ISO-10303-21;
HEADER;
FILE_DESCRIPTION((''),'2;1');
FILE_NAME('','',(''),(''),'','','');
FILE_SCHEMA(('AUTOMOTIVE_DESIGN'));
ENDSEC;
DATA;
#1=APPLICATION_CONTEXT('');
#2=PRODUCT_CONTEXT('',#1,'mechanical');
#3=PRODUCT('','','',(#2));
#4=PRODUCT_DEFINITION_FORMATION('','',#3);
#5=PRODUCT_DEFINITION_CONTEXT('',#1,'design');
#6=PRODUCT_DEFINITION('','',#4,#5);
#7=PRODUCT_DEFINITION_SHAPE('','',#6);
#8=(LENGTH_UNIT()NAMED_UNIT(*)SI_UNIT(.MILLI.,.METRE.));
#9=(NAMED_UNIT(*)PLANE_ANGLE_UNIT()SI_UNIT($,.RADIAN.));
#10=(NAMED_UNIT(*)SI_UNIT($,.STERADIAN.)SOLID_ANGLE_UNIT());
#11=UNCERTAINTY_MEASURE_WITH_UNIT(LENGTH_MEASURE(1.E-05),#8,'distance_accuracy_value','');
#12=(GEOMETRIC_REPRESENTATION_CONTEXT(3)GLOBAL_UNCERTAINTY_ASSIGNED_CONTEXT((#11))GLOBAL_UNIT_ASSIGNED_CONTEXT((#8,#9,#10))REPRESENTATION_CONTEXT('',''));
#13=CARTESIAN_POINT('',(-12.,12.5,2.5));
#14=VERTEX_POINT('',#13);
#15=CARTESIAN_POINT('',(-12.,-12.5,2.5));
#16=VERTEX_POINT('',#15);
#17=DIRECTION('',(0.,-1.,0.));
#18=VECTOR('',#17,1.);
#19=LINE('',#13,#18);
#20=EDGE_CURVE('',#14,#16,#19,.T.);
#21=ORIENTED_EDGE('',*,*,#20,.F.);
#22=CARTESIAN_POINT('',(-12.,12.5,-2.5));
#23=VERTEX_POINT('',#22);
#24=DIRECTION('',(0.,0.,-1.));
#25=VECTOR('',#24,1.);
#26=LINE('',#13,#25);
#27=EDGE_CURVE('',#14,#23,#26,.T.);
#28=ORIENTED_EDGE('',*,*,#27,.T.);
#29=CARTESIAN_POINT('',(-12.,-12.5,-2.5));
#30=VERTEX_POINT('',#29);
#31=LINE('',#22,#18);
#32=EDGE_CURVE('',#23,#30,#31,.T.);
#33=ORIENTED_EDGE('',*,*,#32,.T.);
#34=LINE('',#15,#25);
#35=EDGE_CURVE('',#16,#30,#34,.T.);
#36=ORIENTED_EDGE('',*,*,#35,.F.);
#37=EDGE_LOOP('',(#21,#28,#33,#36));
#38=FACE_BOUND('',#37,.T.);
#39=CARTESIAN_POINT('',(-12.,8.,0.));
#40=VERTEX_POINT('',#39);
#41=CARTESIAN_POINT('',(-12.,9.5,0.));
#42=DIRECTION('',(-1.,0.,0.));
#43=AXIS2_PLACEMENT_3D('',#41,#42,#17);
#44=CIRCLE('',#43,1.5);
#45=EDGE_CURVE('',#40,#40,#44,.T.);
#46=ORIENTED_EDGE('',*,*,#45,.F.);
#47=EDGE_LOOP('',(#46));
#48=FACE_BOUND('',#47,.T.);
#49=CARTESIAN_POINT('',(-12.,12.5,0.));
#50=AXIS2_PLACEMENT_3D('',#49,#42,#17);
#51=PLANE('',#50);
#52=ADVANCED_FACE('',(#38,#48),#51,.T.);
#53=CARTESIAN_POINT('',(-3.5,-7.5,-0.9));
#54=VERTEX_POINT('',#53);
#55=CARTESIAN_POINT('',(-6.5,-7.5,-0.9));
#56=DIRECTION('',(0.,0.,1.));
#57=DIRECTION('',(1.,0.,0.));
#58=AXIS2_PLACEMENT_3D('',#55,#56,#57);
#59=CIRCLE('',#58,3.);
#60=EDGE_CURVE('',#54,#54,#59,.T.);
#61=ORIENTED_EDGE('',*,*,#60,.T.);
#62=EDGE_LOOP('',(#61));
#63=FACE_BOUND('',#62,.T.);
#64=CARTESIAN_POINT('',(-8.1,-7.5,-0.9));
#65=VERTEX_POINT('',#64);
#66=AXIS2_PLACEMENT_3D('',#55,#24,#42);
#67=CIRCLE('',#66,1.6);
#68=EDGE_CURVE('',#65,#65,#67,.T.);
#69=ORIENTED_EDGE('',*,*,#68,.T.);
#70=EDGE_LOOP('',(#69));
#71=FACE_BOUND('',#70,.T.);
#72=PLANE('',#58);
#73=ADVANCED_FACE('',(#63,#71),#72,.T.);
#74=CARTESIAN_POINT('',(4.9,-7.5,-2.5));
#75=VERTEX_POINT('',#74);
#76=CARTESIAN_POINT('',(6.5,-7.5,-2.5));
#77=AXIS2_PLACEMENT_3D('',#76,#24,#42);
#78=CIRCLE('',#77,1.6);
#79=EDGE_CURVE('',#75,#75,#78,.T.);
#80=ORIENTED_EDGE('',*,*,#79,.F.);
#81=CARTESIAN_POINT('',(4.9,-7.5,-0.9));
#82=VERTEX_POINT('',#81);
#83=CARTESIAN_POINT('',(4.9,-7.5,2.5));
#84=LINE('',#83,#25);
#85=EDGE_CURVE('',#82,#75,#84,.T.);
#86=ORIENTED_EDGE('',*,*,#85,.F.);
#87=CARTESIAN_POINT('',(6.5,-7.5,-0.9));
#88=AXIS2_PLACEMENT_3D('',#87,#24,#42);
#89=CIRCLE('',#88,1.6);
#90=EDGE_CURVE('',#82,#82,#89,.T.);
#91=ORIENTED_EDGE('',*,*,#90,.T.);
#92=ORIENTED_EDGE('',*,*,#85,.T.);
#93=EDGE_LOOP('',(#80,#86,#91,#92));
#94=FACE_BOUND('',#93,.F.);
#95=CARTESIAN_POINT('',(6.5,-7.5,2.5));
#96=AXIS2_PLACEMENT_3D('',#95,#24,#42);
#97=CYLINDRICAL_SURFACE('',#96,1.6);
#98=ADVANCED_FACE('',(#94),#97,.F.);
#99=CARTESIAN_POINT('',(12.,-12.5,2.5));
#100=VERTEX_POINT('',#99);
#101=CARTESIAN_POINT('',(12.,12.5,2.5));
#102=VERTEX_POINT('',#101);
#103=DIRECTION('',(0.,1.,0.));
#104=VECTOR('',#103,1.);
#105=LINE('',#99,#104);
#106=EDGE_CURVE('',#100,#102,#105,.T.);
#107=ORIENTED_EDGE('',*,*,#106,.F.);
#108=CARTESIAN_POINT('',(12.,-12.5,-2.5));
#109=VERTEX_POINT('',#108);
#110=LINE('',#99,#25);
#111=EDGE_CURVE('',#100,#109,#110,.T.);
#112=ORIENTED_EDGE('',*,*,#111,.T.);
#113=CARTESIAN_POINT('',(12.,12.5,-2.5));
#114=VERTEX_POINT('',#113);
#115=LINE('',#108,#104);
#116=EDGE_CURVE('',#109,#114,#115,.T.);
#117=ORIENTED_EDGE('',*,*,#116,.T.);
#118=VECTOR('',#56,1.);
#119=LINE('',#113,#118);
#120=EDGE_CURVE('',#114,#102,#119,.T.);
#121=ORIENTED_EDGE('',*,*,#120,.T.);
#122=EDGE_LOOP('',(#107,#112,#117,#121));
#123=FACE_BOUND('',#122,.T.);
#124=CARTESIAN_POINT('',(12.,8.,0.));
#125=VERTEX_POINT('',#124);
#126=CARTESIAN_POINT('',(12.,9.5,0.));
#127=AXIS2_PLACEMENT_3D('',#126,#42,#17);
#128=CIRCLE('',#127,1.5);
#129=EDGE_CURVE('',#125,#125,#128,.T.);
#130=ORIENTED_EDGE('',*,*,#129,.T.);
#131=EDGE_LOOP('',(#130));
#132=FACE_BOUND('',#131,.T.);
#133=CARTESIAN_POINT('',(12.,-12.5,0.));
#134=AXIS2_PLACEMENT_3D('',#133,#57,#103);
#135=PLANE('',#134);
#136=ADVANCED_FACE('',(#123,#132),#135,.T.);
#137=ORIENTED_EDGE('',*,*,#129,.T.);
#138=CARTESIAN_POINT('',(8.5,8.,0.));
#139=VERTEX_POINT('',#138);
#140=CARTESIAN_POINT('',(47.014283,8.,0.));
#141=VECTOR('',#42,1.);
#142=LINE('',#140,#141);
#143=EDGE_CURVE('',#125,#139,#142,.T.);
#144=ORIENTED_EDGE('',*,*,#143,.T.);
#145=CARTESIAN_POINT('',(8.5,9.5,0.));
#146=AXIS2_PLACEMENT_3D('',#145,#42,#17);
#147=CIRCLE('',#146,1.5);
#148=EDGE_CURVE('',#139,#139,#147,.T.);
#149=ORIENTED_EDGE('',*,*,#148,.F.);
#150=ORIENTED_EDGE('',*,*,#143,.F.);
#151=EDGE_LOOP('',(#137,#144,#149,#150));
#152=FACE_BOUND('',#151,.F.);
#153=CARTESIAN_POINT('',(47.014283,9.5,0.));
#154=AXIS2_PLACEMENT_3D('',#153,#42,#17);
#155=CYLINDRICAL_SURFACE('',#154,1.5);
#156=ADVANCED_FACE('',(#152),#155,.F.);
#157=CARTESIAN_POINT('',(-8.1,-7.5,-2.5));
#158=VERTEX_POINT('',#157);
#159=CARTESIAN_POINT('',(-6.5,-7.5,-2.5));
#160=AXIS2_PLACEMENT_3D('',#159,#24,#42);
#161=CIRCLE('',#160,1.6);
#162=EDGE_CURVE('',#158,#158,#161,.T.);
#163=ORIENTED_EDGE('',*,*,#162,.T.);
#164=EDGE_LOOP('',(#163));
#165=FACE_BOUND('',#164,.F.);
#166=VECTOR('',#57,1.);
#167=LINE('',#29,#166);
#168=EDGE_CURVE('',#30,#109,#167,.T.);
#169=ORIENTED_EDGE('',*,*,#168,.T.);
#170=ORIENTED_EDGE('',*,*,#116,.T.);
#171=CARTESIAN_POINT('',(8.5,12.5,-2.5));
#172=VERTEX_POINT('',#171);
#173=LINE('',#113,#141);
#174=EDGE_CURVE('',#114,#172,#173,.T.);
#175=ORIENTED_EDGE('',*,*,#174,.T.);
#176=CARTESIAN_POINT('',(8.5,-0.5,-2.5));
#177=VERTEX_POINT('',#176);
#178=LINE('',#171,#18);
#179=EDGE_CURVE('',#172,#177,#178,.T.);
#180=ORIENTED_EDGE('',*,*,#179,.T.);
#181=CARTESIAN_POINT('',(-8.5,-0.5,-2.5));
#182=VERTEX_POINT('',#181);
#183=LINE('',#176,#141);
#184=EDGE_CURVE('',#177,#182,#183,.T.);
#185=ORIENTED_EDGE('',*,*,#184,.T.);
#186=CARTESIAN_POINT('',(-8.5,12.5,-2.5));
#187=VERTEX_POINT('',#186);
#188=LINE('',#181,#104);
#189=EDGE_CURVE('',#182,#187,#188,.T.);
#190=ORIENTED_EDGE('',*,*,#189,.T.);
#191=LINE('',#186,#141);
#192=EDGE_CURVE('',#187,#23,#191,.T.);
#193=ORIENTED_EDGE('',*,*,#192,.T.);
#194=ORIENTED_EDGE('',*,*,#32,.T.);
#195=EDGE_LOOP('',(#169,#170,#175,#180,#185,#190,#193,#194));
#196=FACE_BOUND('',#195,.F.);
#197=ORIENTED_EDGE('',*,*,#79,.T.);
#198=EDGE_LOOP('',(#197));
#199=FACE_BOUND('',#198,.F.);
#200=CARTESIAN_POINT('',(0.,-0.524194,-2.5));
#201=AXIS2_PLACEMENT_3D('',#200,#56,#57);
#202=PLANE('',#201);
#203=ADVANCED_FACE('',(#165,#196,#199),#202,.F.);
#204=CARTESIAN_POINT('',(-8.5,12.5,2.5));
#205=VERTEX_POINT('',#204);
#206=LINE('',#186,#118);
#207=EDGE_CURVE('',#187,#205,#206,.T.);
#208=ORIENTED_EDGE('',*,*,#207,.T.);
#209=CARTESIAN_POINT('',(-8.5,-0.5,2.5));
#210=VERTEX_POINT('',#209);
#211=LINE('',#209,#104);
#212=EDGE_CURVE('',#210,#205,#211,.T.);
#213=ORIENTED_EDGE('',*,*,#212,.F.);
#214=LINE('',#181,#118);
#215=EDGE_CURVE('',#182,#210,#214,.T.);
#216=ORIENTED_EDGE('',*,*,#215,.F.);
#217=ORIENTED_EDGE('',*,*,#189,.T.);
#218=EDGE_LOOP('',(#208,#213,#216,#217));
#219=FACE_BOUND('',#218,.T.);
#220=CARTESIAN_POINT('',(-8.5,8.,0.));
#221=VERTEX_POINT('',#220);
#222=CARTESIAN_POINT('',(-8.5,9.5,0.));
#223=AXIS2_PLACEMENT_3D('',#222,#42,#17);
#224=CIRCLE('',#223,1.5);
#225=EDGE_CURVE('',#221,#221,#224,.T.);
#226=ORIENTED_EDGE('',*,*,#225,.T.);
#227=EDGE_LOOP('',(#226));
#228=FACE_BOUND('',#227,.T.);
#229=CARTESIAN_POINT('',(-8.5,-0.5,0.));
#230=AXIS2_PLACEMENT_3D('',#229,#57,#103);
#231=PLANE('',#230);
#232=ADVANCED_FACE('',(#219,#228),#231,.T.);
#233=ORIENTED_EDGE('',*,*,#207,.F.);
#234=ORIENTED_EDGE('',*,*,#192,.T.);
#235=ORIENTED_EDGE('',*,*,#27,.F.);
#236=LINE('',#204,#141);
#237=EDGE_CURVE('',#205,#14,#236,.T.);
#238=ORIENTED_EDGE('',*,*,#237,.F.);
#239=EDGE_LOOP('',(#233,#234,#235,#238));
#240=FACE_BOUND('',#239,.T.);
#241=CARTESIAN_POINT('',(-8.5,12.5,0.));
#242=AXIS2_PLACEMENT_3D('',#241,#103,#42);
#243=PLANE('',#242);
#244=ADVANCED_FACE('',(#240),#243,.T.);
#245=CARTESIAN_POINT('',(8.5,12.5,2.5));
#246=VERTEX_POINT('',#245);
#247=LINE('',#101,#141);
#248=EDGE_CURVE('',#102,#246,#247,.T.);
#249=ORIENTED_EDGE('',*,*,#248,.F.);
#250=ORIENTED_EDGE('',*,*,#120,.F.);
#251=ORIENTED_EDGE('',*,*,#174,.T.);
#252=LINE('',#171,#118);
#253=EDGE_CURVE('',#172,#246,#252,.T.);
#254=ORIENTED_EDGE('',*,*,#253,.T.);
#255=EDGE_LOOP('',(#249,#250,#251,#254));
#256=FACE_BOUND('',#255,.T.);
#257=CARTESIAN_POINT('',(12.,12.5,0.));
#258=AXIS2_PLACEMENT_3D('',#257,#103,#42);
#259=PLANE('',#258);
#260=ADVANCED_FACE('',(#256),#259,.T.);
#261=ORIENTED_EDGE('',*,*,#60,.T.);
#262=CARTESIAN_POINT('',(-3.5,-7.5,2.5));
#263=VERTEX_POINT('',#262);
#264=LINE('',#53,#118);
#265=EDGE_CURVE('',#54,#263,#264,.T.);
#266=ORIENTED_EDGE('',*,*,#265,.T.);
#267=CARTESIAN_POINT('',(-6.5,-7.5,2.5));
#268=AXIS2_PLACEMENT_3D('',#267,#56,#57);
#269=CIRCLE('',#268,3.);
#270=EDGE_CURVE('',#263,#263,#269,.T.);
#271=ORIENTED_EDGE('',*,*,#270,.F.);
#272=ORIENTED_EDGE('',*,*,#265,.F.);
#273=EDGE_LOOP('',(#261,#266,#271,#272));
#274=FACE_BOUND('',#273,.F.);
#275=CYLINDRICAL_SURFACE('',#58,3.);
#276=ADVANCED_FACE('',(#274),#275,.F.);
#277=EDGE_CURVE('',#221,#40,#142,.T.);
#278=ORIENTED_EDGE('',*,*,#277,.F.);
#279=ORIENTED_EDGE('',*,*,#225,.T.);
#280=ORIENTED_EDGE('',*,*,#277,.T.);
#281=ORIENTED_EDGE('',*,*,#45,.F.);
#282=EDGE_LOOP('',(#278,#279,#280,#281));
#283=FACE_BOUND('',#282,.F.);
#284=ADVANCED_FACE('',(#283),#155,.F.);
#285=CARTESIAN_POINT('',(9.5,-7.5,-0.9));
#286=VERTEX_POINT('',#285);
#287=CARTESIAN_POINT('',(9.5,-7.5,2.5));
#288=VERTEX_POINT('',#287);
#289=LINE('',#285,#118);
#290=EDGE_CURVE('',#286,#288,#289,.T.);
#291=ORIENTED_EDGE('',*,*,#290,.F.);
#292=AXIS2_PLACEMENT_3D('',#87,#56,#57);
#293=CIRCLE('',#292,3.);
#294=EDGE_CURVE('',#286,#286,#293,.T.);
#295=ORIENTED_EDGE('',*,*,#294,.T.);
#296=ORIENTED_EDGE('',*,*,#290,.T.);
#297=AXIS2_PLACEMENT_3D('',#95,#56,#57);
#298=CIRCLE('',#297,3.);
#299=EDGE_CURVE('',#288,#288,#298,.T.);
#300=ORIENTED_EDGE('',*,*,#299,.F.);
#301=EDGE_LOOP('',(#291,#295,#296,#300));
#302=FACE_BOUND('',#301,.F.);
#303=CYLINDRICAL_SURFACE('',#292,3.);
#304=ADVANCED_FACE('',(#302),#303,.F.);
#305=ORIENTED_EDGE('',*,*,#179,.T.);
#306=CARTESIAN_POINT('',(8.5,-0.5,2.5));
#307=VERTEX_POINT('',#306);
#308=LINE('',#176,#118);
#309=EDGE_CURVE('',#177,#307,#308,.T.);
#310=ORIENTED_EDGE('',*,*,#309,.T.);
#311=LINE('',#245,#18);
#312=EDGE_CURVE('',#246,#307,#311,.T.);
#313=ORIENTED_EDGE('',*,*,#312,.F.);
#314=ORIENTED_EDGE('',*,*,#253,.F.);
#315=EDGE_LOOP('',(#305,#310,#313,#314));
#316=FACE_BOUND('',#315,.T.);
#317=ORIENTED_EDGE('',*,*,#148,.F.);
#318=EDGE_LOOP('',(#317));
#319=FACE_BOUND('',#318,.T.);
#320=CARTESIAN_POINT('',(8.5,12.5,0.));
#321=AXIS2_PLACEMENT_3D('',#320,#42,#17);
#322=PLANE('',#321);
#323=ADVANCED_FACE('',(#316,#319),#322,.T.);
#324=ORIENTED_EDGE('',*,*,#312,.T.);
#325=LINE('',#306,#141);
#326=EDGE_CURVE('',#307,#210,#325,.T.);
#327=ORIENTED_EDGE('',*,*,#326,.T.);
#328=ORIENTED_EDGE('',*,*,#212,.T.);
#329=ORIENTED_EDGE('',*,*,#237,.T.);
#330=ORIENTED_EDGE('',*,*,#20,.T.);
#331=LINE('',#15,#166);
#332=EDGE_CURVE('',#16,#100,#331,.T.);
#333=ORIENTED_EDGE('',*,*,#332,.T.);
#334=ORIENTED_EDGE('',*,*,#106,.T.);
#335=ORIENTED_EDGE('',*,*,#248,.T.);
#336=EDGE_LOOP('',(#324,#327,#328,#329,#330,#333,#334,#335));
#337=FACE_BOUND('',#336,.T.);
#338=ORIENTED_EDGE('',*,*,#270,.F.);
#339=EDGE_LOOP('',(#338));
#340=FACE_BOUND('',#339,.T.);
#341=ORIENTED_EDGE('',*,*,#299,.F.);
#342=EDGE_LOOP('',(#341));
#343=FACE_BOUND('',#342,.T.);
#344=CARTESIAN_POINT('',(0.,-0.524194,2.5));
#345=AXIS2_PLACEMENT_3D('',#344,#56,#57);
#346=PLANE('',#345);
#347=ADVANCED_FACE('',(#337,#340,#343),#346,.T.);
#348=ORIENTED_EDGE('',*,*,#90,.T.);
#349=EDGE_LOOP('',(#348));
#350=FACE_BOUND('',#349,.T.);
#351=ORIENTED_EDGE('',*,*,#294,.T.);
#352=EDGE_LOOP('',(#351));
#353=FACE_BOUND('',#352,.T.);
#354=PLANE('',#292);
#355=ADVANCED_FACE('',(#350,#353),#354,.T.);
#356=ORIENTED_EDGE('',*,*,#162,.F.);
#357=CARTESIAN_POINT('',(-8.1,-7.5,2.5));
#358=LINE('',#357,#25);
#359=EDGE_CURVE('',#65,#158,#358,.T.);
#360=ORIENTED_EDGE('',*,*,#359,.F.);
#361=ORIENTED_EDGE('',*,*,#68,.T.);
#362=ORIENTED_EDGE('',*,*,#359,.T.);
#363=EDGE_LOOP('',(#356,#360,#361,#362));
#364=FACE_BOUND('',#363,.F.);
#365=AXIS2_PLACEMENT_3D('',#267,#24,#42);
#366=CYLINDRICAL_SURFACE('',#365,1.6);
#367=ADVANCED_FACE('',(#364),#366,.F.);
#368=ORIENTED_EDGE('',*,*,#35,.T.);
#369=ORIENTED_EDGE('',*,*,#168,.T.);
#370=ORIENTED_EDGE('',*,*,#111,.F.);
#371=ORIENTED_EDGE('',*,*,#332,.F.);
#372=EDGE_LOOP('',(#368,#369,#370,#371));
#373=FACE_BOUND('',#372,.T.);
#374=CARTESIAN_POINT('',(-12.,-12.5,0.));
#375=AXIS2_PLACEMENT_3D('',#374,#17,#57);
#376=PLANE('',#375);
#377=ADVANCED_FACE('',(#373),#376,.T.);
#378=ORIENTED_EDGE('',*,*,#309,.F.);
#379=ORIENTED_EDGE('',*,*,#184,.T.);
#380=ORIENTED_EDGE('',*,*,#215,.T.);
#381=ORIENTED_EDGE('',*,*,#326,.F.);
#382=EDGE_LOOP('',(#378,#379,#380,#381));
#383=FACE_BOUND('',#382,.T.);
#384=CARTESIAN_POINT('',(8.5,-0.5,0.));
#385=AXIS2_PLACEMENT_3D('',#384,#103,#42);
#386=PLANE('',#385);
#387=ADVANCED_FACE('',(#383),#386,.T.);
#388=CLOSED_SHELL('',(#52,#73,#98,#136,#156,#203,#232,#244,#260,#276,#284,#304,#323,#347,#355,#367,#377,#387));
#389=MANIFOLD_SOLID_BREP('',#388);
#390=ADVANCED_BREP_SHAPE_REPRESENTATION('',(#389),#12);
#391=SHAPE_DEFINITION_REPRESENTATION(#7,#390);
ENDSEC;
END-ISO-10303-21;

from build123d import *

# Parameters (mm, degrees)
F1_DEPTH       = 2.5
F3_D           = 3.2
F3_CBORE_D     = 6
F3_CBORE_DEPTH = 3.4
F5_D           = 3


with BuildPart() as f1:
    # F0 (on Top) → F1 (new body, symmetric)
    with BuildSketch(Plane.XY):
        Polygon((12, -12.5), (12, 12.5), (8.5, 12.5), (8.5, -0.5), (-8.5, -0.5), (-8.5, 12.5), (-12, 12.5), (-12, -12.5), align=None)
    extrude(amount=F1_DEPTH, both=True)

    # F3 (through all)
    with Locations(Plane.XY.offset(2.5)):
        with Locations((-6.5, -7.5), (6.5, -7.5)):
            CounterBoreHole(F3_D / 2, F3_CBORE_D / 2, F3_CBORE_DEPTH)

    # F5 (through all)
    with Locations(Plane.YZ.offset(12)):
        with Locations((9.5, 0)):
            Hole(F5_D / 2)


solid = f1.part
